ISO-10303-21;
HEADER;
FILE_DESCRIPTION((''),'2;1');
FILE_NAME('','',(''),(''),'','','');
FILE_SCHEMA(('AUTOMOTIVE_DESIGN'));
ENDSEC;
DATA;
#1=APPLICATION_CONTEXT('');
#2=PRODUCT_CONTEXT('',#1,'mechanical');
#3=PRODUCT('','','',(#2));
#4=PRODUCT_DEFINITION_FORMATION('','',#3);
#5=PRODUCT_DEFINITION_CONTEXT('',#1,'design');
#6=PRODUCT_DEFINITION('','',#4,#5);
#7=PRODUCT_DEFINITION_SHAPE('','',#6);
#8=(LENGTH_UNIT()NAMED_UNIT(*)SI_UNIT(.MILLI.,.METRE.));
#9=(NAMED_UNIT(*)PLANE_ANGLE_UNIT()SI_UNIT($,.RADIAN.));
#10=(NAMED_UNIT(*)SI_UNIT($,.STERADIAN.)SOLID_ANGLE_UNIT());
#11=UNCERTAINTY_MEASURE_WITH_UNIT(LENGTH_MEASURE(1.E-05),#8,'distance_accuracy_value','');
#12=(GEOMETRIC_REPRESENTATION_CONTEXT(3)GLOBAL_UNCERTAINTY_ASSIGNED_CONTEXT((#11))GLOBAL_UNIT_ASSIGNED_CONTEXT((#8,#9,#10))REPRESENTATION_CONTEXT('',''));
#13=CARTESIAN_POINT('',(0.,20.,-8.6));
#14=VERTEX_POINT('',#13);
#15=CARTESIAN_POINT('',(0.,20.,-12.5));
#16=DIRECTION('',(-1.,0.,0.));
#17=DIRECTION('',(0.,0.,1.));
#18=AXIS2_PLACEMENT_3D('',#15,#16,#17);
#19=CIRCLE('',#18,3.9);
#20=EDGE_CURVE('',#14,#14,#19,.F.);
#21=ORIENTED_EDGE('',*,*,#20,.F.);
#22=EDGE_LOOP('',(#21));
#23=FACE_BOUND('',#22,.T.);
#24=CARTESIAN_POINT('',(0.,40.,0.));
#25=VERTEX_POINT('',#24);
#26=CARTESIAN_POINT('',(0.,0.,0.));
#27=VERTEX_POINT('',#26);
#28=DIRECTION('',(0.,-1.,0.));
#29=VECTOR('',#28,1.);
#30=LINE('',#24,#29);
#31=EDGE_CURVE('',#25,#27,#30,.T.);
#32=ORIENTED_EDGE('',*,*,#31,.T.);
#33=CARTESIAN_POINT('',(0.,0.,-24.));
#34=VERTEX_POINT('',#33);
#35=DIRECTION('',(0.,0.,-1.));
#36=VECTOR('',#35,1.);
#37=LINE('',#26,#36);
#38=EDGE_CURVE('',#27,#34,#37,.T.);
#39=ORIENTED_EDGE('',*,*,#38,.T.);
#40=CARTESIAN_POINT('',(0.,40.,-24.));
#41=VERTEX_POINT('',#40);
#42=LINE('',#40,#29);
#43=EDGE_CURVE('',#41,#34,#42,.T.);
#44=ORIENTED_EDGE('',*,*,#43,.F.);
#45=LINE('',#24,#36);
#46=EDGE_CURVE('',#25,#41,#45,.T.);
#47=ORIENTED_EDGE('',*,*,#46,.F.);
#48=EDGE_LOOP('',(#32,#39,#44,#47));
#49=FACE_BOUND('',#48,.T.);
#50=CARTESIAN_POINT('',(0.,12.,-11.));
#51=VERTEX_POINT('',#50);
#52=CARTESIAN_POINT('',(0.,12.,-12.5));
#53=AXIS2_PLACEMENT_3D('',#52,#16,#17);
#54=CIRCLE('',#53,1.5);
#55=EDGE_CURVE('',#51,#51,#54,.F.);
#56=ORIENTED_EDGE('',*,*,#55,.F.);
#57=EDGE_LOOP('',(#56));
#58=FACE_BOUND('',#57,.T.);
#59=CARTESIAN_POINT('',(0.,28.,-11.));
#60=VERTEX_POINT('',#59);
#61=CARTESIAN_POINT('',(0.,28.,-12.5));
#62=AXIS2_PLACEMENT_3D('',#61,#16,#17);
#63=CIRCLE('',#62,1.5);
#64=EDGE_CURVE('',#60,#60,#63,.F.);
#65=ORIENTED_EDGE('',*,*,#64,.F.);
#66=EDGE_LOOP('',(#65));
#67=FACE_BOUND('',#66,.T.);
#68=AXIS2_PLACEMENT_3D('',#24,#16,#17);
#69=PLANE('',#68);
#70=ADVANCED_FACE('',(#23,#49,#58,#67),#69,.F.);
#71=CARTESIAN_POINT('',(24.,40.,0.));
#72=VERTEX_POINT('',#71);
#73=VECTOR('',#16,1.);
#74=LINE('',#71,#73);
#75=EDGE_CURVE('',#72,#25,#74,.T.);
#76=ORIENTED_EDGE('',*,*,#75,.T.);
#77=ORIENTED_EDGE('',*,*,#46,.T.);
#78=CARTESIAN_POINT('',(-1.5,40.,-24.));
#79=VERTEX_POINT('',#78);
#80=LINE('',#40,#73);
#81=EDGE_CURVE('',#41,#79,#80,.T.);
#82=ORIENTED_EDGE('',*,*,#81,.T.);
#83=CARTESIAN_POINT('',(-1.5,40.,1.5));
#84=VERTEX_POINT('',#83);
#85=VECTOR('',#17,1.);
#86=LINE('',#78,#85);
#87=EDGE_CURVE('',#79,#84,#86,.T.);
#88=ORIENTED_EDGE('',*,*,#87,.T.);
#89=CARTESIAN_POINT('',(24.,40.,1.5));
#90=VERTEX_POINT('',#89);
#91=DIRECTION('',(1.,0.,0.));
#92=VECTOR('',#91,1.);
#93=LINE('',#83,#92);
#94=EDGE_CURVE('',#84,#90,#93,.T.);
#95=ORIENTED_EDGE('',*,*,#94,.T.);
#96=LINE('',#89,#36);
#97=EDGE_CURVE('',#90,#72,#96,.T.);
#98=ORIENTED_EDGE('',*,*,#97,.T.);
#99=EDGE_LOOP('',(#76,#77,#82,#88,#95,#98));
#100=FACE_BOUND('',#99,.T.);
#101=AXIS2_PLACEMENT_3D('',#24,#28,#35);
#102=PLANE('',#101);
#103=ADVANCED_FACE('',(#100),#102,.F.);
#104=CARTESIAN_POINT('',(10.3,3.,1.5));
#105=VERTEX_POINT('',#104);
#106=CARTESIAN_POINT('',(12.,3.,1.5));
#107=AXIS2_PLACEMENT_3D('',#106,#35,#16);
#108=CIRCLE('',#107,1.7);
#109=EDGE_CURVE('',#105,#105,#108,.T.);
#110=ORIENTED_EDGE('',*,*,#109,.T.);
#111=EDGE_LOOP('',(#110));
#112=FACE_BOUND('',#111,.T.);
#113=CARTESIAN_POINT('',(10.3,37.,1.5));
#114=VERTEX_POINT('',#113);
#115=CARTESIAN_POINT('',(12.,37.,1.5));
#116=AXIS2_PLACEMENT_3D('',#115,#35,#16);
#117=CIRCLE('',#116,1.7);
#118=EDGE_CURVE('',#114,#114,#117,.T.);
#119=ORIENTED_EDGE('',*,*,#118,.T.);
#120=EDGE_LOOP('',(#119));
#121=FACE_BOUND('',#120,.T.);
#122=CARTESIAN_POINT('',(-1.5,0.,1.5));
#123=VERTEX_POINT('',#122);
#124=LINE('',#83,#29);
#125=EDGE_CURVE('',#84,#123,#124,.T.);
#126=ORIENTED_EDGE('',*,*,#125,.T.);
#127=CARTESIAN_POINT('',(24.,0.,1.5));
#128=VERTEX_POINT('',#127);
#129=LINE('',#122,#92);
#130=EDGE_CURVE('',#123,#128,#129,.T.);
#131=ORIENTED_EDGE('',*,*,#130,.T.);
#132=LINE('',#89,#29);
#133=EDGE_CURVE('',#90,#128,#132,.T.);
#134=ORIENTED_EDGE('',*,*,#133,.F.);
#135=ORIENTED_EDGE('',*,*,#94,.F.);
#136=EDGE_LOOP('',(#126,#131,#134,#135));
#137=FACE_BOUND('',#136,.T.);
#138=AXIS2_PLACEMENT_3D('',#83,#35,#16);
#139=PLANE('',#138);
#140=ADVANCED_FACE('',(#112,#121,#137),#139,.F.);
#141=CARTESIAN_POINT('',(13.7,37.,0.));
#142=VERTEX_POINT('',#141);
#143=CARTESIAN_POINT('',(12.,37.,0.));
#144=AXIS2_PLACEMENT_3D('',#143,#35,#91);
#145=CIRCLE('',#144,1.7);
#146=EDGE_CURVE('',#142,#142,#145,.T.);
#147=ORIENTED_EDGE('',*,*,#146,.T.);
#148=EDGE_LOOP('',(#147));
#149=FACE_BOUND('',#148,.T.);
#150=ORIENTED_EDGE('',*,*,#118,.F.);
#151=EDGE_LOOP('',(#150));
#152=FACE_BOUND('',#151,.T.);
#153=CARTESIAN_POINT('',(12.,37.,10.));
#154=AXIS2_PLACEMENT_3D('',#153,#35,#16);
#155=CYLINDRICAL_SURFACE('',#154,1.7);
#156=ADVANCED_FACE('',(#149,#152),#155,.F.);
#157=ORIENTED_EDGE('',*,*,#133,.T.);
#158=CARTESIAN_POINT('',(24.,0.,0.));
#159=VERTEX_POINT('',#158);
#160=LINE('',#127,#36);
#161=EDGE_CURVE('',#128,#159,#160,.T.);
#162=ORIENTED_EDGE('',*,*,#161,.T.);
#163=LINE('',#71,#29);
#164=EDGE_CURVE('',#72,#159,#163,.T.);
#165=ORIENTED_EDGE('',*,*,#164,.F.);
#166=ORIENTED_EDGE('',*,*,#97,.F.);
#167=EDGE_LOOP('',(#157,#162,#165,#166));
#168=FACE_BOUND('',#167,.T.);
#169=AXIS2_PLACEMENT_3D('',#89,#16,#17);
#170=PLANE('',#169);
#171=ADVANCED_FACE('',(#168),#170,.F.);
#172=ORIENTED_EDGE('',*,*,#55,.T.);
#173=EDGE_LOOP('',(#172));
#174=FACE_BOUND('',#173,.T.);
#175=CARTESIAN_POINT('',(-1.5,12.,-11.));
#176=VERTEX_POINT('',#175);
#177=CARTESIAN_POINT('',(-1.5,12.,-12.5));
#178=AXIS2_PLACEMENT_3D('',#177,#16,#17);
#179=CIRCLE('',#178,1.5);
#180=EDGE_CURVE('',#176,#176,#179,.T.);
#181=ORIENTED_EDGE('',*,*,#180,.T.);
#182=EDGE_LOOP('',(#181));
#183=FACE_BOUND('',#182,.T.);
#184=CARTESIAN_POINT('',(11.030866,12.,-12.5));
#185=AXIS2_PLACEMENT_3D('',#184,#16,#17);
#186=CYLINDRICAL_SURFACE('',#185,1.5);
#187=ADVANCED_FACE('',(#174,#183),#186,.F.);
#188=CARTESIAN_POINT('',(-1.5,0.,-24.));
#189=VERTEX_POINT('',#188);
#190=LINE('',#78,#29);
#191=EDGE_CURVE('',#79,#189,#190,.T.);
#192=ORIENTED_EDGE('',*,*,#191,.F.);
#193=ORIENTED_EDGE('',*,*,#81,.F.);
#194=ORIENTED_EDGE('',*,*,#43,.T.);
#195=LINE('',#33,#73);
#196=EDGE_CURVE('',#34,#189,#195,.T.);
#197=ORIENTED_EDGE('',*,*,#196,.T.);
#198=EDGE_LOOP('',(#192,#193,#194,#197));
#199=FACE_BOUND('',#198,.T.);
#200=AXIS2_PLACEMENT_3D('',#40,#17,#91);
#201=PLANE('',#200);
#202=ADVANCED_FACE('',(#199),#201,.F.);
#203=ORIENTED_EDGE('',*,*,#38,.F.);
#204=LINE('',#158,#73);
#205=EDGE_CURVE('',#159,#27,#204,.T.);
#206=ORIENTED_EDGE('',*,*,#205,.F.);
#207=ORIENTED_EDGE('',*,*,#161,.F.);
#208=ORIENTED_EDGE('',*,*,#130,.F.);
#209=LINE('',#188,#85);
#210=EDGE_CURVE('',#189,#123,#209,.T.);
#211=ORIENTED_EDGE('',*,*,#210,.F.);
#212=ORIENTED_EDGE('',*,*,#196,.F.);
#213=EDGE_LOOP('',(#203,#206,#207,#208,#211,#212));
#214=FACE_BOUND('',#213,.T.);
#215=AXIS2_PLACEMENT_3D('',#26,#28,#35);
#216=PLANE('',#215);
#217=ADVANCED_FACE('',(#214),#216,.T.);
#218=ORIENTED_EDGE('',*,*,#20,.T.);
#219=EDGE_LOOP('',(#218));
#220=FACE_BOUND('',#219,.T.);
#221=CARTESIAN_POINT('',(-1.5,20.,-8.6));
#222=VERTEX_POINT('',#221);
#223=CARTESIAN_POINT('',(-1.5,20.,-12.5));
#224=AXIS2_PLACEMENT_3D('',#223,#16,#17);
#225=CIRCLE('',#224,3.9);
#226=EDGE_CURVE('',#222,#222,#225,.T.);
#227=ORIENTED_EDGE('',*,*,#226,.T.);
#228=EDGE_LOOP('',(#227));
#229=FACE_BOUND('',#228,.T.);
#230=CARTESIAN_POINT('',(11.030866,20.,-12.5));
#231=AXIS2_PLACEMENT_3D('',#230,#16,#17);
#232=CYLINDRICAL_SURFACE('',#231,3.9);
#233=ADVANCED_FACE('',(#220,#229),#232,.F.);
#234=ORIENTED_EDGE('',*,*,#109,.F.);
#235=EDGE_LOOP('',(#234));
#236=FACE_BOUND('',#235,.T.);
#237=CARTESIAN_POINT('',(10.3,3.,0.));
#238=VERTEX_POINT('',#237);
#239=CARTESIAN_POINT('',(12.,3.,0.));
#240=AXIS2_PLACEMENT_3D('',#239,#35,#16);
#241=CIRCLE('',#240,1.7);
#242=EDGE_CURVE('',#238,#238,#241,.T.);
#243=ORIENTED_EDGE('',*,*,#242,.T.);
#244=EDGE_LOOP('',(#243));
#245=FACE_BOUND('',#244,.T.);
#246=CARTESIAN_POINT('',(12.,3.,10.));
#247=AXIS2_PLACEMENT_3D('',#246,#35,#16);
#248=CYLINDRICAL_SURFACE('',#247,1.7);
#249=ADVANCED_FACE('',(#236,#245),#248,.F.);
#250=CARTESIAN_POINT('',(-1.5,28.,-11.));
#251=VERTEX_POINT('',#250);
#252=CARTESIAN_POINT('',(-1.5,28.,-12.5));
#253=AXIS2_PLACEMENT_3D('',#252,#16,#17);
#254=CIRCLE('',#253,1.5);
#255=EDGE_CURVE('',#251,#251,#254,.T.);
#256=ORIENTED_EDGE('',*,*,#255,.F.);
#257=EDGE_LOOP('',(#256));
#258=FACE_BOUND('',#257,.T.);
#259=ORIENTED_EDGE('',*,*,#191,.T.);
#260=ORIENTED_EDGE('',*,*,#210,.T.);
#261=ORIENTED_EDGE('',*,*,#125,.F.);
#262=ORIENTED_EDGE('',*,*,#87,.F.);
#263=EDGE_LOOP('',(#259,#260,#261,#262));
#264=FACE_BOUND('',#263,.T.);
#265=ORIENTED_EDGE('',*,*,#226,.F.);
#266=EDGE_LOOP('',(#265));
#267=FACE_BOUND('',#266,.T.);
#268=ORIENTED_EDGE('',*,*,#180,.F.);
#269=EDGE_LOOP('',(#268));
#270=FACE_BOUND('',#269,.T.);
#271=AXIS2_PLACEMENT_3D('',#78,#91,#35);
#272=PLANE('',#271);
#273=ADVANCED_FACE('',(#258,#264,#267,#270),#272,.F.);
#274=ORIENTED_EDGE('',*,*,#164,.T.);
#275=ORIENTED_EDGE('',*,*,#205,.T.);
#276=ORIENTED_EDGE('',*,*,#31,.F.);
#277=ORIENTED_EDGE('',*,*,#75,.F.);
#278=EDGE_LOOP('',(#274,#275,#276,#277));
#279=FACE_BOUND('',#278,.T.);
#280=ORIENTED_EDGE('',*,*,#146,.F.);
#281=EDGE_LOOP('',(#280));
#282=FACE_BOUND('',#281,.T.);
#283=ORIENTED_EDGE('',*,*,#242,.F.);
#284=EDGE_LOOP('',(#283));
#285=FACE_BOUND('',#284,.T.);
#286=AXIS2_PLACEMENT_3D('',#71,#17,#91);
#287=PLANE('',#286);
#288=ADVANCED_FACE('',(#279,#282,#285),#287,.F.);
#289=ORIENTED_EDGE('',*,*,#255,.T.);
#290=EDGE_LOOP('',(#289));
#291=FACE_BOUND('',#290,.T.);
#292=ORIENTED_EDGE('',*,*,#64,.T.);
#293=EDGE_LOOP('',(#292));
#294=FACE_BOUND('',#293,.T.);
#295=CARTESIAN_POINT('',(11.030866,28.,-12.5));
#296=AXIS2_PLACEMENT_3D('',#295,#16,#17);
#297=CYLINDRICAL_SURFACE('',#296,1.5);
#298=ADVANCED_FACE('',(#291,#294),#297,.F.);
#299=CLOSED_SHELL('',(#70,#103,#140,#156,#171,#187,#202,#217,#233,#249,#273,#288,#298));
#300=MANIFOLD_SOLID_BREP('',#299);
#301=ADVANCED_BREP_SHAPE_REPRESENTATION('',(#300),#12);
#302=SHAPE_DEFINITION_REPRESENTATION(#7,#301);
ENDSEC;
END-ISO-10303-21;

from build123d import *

# Parameters (mm, degrees)
BOSS_EXTRUDE1_DEPTH = 40
SKETCH3_R           = 3.9
SKETCH3_R_2         = 1.5
CUT_EXTRUDE1_DEPTH  = 1.5
SKETCH4_R           = 1.7
CUT_EXTRUDE2_DEPTH  = 10


with BuildPart() as part:
    # Sketch2 → Boss-Extrude1 (new body)
    with BuildSketch(Plane(origin=(0, 0, 0), x_dir=(1, 0, 0), z_dir=(0, 1, 0))):
        Polygon((0, 0), (0, 24), (-1.5, 24), (-1.5, -1.5), (24, -1.5), (24, 0), align=None)
    extrude(amount=BOSS_EXTRUDE1_DEPTH)

    # Sketch3 → Cut-Extrude1 (cut)
    with BuildSketch(Plane.ZY.offset(1.5)):
        with Locations((-12.5, 20)):
            Circle(SKETCH3_R)
        with Locations((-12.5, 28)):
            Circle(SKETCH3_R_2)
        with Locations((-12.5, 12)):
            Circle(SKETCH3_R_2)
    extrude(amount=-CUT_EXTRUDE1_DEPTH, mode=Mode.SUBTRACT)

    # Sketch4 → Cut-Extrude2 (cut)
    with BuildSketch(Plane(origin=(0, 0, 0), x_dir=(-1, 0, 0), z_dir=(0, 0, -1))):
        with Locations((-12, 3)):
            Circle(SKETCH4_R)
        with Locations((-12, 37)):
            Circle(SKETCH4_R)
    extrude(amount=-CUT_EXTRUDE2_DEPTH, mode=Mode.SUBTRACT)


solid = part.part
